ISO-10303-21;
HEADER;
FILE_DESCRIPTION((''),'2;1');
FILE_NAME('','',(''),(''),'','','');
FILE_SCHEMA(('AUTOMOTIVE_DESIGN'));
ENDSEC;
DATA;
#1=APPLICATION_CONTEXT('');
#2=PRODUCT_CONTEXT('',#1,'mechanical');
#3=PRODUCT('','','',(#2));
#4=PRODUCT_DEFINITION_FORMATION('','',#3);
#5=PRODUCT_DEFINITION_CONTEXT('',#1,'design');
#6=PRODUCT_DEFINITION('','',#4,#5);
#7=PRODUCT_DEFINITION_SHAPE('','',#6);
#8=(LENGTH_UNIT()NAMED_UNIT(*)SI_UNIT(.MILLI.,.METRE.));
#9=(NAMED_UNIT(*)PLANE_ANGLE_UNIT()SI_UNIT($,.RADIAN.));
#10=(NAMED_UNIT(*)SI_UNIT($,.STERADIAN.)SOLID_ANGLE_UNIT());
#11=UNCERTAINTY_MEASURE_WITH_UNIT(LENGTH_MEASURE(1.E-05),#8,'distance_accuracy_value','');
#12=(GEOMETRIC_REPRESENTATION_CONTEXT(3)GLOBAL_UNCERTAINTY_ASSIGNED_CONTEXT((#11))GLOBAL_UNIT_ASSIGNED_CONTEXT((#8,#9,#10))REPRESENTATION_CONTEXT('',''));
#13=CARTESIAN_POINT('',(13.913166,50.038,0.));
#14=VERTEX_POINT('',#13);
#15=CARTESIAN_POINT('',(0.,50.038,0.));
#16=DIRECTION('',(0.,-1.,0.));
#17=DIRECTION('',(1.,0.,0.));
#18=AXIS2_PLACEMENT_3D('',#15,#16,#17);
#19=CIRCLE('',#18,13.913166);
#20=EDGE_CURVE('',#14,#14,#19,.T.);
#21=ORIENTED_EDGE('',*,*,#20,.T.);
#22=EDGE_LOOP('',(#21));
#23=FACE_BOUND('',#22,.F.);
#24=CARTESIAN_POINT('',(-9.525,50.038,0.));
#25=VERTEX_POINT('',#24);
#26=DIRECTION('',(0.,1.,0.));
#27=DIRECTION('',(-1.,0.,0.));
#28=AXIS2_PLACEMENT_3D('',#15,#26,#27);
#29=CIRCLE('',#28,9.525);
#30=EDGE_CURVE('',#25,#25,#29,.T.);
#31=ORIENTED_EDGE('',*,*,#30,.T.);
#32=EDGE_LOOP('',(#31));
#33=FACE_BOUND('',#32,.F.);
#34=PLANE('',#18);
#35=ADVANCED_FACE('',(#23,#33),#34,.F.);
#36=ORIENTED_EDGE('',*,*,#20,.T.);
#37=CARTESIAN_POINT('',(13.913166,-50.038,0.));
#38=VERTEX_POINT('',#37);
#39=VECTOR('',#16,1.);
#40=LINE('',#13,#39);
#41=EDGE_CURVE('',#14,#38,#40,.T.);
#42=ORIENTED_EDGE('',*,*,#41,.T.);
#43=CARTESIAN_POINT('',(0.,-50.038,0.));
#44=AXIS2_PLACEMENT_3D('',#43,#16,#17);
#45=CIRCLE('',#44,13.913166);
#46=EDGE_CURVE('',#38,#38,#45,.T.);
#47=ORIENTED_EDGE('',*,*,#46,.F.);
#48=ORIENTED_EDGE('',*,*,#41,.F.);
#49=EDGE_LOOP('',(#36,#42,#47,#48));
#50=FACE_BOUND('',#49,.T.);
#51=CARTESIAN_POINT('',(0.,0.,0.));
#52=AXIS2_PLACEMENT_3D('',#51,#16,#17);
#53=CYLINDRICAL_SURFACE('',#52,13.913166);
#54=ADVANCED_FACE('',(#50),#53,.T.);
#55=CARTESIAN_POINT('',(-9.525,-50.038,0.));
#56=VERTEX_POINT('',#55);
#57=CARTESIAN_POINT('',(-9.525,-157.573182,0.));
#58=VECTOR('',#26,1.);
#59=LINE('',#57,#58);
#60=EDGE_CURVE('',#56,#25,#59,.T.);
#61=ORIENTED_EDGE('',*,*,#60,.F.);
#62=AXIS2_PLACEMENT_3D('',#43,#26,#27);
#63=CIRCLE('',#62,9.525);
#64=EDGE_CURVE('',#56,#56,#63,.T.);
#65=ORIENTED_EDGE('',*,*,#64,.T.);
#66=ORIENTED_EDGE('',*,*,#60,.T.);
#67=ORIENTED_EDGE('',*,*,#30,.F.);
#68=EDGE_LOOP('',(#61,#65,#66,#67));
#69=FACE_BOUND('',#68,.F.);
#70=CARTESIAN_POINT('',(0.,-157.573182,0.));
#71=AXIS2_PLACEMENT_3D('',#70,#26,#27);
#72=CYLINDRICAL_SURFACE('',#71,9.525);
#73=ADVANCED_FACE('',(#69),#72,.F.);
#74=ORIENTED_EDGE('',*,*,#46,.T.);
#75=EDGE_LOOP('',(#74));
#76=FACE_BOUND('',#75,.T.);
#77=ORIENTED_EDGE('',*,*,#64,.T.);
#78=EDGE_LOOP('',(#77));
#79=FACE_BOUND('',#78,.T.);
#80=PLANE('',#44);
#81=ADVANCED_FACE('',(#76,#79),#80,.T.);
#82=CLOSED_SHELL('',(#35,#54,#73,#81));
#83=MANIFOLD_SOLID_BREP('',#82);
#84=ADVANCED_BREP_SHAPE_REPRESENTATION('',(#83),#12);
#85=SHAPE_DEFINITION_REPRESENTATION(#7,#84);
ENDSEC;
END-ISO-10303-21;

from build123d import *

# Parameters (mm, degrees)
F0_R     = 13.913166
F1_DEPTH = 50.038
F3_D     = 19.05


with BuildPart() as f1:
    # F0 (on Front) → F1 (new body, symmetric)
    with BuildSketch(Plane.XZ):
        Circle(F0_R)
    extrude(amount=F1_DEPTH, both=True)

    # F3 (through all)
    with Locations(Plane.XZ.offset(50.038)):
        with Locations((0, 0), (-145.134643, 14.066561)):
            Hole(F3_D / 2)


solid = f1.part
